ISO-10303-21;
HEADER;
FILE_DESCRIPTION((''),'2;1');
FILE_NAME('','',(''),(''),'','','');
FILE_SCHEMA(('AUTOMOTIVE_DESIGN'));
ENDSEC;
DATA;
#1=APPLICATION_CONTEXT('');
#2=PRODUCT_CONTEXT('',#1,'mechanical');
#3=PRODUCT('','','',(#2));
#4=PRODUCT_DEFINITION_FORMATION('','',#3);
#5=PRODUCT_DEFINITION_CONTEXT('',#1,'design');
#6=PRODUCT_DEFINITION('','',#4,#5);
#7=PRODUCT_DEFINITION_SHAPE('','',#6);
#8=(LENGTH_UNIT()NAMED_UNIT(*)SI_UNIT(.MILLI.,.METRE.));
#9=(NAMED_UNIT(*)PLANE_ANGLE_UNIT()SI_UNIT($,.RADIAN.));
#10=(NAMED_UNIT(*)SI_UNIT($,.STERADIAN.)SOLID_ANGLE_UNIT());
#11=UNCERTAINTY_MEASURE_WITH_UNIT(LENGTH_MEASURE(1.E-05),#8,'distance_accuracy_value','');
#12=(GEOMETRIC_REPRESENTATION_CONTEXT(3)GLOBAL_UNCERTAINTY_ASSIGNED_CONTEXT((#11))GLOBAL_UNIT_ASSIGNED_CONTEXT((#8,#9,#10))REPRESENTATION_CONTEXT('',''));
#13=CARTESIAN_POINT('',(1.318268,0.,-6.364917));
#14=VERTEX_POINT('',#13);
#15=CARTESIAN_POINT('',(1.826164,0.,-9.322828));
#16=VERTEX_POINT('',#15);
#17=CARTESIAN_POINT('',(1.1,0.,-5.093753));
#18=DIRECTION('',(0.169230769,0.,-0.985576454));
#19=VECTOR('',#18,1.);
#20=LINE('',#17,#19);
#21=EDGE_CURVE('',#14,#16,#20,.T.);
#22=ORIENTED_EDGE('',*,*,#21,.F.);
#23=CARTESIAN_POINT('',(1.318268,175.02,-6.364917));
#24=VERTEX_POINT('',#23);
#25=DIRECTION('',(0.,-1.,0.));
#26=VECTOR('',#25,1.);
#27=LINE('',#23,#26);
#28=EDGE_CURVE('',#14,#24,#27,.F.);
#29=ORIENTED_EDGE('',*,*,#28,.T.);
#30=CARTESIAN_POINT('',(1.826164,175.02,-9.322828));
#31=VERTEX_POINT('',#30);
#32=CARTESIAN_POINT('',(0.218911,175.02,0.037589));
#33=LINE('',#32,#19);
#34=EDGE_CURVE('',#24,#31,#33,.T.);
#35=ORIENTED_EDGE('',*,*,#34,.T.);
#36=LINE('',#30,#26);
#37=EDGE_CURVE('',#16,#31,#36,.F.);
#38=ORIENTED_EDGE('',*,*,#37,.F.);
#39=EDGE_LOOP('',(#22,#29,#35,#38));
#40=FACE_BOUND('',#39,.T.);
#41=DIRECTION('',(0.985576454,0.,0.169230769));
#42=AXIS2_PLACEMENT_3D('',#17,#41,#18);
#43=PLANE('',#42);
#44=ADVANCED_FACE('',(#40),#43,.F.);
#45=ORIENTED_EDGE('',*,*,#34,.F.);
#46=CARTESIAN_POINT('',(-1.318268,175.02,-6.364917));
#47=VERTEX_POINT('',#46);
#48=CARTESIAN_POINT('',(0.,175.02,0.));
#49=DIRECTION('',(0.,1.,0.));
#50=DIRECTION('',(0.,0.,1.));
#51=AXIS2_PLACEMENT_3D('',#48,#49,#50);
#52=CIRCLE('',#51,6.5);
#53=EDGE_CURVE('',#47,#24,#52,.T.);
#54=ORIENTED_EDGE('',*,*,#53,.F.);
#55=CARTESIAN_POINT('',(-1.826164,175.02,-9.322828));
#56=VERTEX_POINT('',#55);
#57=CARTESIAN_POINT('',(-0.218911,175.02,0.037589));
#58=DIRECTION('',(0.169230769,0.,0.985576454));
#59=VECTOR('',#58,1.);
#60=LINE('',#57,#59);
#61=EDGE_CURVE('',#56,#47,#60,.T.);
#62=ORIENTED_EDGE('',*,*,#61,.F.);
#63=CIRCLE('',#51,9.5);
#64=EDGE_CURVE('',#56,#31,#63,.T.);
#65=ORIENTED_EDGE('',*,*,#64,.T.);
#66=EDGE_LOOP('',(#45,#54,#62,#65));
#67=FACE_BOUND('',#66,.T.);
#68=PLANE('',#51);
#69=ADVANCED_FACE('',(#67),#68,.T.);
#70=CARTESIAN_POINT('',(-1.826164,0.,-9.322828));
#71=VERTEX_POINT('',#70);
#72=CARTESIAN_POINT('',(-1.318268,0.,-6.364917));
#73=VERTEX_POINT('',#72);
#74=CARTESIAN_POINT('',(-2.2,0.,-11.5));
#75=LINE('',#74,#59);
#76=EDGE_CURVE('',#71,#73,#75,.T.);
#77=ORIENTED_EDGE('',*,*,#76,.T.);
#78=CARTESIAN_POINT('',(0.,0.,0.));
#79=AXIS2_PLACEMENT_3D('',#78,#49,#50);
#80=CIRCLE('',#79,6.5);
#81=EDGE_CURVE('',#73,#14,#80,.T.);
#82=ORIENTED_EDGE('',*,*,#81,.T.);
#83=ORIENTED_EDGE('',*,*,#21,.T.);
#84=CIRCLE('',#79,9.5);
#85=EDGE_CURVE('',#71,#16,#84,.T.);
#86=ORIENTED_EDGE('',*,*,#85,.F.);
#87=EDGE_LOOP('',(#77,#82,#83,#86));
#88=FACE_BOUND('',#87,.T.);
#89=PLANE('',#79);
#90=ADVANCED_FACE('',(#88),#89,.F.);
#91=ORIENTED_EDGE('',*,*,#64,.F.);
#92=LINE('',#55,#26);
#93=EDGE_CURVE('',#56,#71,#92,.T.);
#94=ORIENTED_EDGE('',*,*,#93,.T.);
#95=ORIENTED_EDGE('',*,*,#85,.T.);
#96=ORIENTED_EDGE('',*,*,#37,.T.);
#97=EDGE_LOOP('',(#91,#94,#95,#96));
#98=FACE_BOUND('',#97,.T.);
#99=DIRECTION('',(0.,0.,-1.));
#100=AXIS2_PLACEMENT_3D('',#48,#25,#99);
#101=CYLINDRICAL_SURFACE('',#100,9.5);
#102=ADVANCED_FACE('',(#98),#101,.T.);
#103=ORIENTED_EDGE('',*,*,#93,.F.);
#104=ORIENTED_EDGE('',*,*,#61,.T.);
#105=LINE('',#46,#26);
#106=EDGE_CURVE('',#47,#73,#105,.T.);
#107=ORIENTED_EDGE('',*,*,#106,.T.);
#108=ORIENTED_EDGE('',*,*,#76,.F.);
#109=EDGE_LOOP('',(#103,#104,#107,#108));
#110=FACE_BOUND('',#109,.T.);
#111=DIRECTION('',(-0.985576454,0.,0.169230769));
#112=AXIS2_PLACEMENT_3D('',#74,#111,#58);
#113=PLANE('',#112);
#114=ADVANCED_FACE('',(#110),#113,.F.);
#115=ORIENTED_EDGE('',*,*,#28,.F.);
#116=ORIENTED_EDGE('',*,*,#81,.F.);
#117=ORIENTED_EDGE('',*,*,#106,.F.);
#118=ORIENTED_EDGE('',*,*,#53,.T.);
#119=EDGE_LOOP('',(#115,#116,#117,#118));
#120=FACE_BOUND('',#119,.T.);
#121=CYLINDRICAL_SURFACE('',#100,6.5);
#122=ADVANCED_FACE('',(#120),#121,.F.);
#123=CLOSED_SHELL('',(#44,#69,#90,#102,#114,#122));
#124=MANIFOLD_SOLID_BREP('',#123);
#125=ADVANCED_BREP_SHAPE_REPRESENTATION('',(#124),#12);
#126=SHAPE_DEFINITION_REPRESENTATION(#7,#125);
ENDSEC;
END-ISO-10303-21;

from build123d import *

# Parameters (mm, degrees)
SKETCH1_R               = 9.5
SKETCH1_R_2             = 6.5
BOSS_EXTRUDE1_DEPTH     = 175.02
CUT_EXTRUDE1_DEPTH      = 1
CUT_EXTRUDE1_DEPTH_BACK = 176.02


with BuildPart() as part:
    # Sketch1 → Boss-Extrude1 (new body)
    with BuildSketch(Plane(origin=(0, 0, 0), x_dir=(1, 0, 0), z_dir=(0, 1, 0))):
        Circle(SKETCH1_R)
        Circle(SKETCH1_R_2, mode=Mode.SUBTRACT)
    extrude(amount=BOSS_EXTRUDE1_DEPTH)

    # Sketch2 → Cut-Extrude1 (cut, two sides)
    with BuildSketch(Plane(origin=(0, 175.02, 0), x_dir=(1, 0, 0), z_dir=(0, 1, 0))) as cut_extrude1_sk:
        Polygon((0, 11.5), (-2.2, 11.5), (-1.1, 5.093753049), (1.1, 5.093753049), (2.2, 11.5), align=None)
    extrude(amount=CUT_EXTRUDE1_DEPTH, mode=Mode.SUBTRACT)
    extrude(cut_extrude1_sk.sketch, amount=-CUT_EXTRUDE1_DEPTH_BACK, mode=Mode.SUBTRACT)


solid = part.part
